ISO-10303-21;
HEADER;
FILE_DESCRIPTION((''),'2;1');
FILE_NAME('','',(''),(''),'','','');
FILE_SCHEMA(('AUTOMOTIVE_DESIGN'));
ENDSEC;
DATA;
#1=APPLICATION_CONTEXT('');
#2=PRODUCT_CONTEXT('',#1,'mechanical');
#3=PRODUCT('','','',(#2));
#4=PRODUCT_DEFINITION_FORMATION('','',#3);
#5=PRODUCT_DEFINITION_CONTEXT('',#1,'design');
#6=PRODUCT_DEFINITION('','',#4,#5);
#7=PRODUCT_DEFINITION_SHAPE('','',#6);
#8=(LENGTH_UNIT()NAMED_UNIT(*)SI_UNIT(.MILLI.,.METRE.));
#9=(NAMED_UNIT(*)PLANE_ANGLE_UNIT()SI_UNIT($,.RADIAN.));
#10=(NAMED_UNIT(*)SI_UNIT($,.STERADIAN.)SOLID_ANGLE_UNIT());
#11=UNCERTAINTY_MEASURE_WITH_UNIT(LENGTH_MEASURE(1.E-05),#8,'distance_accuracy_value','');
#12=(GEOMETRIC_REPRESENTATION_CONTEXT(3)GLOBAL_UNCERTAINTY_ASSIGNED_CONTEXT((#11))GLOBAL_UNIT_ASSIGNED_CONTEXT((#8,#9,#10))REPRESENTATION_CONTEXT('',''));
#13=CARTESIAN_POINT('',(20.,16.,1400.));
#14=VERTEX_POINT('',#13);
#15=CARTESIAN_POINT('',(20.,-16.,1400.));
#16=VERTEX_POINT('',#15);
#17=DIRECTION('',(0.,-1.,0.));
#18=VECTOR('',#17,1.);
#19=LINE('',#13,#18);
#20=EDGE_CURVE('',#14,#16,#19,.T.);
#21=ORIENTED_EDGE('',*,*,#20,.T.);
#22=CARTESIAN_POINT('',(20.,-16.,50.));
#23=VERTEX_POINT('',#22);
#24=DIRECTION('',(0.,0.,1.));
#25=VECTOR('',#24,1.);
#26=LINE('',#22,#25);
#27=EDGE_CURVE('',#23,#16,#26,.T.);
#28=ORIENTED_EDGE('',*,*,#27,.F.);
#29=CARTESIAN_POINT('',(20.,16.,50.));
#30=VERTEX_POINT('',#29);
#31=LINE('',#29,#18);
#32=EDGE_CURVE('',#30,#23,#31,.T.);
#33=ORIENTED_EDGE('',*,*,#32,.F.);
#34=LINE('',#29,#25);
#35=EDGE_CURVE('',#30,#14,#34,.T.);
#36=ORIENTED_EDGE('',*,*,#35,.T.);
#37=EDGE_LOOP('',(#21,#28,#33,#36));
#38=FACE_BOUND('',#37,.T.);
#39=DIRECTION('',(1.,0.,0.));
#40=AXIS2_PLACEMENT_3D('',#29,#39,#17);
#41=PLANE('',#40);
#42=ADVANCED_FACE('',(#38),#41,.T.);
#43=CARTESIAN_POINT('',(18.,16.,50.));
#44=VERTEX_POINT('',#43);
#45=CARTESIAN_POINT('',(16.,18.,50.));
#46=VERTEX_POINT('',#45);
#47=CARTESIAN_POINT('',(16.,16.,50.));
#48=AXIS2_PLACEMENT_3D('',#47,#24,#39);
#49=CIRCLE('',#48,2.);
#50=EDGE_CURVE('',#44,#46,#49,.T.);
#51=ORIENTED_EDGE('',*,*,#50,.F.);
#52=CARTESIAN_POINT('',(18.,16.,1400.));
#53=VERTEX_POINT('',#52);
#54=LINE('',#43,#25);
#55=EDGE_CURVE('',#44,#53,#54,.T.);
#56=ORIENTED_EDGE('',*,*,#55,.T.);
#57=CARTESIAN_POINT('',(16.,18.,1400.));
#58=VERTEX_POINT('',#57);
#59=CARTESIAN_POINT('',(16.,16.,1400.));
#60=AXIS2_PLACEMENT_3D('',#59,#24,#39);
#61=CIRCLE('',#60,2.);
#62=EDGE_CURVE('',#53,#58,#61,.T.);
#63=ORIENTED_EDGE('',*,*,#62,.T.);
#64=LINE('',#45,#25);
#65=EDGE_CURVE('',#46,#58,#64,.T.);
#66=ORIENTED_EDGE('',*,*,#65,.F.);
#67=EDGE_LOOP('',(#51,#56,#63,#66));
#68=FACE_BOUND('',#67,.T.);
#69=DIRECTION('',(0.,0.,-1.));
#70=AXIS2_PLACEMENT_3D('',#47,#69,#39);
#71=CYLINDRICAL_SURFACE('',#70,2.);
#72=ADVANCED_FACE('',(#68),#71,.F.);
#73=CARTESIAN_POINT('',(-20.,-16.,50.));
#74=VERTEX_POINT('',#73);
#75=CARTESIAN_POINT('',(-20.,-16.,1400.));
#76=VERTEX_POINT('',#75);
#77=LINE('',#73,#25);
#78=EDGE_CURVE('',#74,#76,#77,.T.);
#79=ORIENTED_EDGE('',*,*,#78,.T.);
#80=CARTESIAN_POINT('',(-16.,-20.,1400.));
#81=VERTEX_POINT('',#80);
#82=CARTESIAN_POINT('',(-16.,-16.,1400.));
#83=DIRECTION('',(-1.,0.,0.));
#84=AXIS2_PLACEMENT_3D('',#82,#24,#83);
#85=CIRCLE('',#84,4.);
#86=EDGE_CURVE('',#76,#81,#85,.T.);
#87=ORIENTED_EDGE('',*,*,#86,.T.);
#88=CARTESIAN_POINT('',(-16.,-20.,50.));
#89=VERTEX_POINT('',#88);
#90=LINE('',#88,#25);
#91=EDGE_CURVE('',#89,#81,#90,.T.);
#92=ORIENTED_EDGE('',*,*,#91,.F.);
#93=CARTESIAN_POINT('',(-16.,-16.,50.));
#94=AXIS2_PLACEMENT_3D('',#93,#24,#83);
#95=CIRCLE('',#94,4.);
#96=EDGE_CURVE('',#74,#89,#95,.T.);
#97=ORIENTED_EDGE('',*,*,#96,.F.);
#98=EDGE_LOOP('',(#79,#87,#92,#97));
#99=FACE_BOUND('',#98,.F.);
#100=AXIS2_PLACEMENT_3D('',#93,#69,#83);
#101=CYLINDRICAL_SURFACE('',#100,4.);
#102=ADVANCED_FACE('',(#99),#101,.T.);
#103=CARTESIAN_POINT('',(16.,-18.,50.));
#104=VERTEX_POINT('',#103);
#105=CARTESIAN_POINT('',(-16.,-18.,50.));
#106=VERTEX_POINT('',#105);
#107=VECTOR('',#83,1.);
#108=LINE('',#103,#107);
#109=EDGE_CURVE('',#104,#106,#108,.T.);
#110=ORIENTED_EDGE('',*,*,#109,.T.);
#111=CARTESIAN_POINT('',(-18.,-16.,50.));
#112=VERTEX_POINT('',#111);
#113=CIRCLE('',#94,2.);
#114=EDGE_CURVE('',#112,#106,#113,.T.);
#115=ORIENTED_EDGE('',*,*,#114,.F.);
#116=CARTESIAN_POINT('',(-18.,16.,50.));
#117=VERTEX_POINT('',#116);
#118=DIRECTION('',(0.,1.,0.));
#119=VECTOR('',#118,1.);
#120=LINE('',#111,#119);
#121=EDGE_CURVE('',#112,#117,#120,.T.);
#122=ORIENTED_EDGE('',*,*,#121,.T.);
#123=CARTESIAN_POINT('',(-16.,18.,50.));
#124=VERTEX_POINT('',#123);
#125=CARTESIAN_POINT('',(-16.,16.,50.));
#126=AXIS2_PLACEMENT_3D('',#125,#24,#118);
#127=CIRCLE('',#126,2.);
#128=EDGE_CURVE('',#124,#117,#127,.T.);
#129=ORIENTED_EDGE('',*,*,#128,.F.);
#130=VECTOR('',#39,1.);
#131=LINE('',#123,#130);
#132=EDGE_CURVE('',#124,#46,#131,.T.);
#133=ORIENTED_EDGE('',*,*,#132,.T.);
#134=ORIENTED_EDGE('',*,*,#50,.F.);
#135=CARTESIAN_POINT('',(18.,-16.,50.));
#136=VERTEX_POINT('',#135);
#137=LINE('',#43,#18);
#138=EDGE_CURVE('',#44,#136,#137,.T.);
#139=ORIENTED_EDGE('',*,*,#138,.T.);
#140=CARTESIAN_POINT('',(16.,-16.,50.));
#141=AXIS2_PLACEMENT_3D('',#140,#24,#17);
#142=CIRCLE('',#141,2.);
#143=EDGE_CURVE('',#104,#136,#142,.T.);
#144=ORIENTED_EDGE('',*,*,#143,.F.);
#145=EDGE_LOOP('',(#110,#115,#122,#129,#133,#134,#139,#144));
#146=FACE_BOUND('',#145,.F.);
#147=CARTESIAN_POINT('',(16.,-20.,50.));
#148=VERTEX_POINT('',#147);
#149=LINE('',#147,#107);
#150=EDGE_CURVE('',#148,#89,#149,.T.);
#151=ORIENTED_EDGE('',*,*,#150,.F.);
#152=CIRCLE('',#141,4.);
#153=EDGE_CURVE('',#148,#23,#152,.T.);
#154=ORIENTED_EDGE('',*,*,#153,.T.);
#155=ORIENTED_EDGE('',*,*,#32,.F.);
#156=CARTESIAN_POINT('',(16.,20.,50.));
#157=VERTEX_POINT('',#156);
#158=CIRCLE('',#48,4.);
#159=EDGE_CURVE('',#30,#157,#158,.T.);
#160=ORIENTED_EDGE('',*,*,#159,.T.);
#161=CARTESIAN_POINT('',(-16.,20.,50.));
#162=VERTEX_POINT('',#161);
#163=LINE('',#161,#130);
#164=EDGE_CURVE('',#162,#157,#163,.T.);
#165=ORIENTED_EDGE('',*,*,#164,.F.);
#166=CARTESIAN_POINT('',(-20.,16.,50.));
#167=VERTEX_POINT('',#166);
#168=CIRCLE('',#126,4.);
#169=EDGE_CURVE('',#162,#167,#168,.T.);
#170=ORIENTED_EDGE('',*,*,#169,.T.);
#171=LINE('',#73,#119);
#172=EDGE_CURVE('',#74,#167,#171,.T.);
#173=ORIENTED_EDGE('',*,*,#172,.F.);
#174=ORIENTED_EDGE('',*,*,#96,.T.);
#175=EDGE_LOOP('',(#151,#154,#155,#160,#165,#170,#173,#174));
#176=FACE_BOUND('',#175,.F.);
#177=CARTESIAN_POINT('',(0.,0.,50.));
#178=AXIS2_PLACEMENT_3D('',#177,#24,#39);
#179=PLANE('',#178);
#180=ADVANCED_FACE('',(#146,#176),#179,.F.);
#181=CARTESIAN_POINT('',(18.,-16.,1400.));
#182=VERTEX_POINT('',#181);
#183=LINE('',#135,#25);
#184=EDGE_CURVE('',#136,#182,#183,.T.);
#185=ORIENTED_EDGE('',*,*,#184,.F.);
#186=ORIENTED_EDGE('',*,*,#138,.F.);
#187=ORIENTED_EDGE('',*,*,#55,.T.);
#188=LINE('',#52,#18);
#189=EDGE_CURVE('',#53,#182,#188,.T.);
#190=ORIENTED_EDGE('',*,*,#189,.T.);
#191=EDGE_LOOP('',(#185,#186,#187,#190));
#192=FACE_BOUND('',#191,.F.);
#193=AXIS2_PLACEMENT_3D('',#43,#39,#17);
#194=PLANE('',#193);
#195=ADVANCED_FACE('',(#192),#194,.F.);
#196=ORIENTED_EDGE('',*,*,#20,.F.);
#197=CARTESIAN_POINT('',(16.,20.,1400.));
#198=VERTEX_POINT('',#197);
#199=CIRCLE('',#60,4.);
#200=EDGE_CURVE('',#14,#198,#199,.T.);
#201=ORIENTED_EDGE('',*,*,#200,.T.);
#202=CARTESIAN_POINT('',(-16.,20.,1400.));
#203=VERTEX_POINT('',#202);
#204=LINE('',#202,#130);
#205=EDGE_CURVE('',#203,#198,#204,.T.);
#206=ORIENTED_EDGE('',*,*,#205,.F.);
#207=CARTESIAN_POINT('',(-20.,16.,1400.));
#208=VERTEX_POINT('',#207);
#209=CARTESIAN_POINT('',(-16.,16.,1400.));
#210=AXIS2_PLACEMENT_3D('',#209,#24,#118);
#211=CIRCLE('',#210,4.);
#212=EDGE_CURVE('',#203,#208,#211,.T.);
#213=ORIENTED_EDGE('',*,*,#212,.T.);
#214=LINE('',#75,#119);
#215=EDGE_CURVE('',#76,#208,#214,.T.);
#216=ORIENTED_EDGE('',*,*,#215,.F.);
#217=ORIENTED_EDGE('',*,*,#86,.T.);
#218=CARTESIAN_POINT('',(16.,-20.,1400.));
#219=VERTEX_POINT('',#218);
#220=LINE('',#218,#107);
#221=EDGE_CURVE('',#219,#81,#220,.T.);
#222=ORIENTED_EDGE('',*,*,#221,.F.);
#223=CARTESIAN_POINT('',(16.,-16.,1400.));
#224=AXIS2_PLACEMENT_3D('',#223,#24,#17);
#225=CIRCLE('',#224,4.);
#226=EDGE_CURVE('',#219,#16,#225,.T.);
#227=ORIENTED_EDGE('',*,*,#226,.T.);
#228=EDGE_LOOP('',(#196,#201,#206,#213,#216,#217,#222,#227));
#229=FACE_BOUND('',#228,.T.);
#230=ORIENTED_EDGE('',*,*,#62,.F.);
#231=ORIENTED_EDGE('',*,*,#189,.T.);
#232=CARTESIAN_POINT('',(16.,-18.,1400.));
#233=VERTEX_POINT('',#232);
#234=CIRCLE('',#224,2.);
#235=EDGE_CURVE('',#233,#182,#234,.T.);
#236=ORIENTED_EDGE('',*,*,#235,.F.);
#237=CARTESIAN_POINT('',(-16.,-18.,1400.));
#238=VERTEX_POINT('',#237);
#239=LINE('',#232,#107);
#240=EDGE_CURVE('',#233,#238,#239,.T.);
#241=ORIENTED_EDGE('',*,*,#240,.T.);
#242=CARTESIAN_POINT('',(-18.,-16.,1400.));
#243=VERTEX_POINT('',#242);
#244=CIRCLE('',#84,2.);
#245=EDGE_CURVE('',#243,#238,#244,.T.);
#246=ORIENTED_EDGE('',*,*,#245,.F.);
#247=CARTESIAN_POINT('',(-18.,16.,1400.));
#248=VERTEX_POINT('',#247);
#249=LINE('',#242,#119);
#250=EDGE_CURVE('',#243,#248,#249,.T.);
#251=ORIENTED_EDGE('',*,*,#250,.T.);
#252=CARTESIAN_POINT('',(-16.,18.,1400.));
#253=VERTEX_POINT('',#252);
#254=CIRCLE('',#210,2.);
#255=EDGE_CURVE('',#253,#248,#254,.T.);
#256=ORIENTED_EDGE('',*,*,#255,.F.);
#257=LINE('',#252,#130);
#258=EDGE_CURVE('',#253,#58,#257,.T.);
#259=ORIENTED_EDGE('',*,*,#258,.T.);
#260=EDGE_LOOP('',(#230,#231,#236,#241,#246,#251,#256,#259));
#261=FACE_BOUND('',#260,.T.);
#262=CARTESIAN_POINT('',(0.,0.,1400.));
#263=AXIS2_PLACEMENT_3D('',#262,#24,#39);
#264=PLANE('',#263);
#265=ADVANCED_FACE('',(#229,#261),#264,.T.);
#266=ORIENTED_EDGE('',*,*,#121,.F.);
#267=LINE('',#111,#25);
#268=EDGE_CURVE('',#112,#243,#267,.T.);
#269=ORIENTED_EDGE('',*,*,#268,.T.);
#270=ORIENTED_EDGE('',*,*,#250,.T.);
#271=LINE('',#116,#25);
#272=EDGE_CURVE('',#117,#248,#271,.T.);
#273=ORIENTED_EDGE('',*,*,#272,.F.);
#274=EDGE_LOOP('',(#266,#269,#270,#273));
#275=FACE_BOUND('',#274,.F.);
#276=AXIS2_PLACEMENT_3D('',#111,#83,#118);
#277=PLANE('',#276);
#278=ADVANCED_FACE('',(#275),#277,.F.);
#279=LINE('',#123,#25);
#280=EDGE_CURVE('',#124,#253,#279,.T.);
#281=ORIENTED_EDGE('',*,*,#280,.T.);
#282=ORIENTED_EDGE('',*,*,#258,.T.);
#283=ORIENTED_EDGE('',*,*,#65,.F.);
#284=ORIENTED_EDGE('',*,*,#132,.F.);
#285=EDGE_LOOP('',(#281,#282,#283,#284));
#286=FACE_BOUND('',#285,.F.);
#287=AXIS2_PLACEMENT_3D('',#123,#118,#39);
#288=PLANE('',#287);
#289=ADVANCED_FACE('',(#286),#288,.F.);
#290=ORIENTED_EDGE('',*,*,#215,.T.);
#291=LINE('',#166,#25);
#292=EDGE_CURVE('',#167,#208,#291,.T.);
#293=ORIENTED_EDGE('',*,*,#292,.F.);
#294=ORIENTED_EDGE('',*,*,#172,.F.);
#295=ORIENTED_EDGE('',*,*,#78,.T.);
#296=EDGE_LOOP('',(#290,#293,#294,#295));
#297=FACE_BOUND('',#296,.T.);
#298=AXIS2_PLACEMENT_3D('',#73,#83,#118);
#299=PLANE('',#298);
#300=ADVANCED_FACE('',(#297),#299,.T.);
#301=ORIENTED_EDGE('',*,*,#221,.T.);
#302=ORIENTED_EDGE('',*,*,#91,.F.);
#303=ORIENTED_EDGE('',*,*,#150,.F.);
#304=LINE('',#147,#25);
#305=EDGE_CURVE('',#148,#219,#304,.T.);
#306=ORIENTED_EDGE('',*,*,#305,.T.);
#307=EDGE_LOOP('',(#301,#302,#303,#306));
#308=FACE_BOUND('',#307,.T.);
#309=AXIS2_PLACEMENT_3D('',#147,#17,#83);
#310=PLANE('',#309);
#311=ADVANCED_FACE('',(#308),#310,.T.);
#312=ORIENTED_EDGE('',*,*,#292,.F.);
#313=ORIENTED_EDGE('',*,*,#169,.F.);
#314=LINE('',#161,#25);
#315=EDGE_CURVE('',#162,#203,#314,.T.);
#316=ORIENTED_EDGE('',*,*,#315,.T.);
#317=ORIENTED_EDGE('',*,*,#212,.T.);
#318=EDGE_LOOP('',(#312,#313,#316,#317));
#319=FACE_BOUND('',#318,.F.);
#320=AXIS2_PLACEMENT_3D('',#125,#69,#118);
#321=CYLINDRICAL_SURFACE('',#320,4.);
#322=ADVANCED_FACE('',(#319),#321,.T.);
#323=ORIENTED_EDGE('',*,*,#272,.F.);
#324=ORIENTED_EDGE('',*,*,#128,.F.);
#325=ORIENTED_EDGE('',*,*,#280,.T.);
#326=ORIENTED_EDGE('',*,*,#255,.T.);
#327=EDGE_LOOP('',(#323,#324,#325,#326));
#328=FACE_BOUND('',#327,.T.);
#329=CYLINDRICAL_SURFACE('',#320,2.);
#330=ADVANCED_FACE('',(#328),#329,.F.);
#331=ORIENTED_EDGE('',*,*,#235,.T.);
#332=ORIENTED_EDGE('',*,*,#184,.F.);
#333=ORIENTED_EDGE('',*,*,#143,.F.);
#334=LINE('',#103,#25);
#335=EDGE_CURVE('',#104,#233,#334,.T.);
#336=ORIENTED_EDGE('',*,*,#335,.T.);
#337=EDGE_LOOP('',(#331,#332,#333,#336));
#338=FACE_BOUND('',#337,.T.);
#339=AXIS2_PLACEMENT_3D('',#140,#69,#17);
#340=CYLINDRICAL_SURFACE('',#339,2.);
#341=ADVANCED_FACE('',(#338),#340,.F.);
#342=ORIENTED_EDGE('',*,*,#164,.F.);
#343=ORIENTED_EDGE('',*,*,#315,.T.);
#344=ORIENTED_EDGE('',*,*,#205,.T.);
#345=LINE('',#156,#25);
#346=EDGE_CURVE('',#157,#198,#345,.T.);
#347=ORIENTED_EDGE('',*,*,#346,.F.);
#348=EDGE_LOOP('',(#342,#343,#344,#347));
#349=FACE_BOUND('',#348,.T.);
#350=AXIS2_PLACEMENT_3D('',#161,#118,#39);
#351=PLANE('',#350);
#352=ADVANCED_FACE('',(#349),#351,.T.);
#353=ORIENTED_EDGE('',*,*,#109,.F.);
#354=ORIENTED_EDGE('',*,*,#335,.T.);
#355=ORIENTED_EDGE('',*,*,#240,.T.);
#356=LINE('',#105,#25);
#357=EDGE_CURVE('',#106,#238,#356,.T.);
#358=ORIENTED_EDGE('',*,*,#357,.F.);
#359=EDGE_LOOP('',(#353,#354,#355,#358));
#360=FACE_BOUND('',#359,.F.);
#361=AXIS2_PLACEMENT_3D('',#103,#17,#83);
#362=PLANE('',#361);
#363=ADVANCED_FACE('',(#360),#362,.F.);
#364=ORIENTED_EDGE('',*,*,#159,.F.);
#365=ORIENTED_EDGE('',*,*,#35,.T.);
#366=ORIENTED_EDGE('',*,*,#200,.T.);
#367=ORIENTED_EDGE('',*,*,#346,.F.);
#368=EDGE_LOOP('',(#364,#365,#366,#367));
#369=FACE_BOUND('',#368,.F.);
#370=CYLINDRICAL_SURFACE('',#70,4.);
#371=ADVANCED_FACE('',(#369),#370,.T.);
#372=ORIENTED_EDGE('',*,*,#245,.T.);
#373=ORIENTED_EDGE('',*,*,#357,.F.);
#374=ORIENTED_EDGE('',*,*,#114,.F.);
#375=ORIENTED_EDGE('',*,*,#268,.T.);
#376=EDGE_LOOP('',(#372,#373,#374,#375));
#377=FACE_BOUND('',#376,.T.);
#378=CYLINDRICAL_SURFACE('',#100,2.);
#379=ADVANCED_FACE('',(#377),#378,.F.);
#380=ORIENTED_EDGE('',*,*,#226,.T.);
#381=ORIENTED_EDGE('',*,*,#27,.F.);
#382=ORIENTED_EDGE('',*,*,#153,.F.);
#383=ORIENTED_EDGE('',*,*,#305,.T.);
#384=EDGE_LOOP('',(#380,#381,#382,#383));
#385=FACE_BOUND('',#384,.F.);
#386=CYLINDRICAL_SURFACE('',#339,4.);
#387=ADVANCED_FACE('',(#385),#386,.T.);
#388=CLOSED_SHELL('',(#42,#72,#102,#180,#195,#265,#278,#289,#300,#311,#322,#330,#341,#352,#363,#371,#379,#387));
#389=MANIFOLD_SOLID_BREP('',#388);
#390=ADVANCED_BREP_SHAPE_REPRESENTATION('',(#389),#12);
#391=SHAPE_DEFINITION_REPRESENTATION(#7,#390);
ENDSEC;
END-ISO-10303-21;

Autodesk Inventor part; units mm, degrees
ref_plane "YZ Plane" through (0, 0, 0) normal (1, 0, 0) x (0, 1, 0)
ref_plane "Start Plane" through (0, 0, 50) normal (0, 0, 1) x (1, 0, 0)
ref_plane "End Plane" through (0, 0, 1400) normal (0, 0, 1) x (1, 0, 0)
sketch "Sketch" plane through (0, 0, 0) normal (0, 0, 1) x (1, 0, 0)
  line L0 (-20, -16) -> (-20, 16)
  line L1 (-16, 20) -> (16, 20)
  line L2 (20, 16) -> (20, -16)
  line L3 (16, -20) -> (-16, -20)
  arc A0 (-20, -16) -> (-16, -20) centre (-16, -16) ccw
  arc A1 (20, 16) -> (16, 20) centre (16, 16) ccw
  arc A2 (-16, 20) -> (-20, 16) centre (-16, 16) ccw
  arc A3 (16, -20) -> (20, -16) centre (16, -16) ccw
  arc A4 (-16, 18) -> (-18, 16) centre (-16, 16) ccw
  line L4 (-16, 18) -> (16, 18)
  arc A5 (18, 16) -> (16, 18) centre (16, 16) ccw
  line L5 (18, 16) -> (18, -16)
  arc A6 (16, -18) -> (18, -16) centre (16, -16) ccw
  line L6 (16, -18) -> (-16, -18)
  arc A7 (-18, -16) -> (-16, -18) centre (-16, -16) ccw
  line L7 (-18, -16) -> (-18, 16)
  line L8 (0, 29.1598) -> (0, -29.1598) construction
  line L9 (-29.1598, 0) -> (29.1598, 0) construction
  dimension "d7" = 4
  dimension "d9" = 40
  dimension "d11" = 40
  dimension "d12" = 2
  dimension "d15" = 20
  dimension "d16" = 20
extrude "Body" add sketch "Sketch" along normal up to surface (1350 mm away) from surface at 50
sketch "Sketch3" plane through (0, 0, 0) normal (0, 0, 1) x (1, 0, 0)
  line L0 (0, 0) -> (10, 0)
ref_plane "Work Plane3" through (0, 0, 0) normal (0, -1, 0) x (1, 0, 0)
sketch "Sketch4" plane through (0, 0, 0) normal (0, -1, 0) x (1, 0, 0)
  line L0 (-2, 50) -> (12, 50) projected
  line L1 (-2, 1400) -> (12, 1400) projected
  dimension "d18" = 1350
equation "\"d7\" = G_IR"
equation "\"d9\" = G_W"
equation "\"d11\" = G_H"
equation "\"d12\" = G_T"
equation "\"d15\" = 0.5 * d9"
equation "\"d16\" = 0.5 * d11"
equation "\"d3\" = G_L"
equation "\"G_W\" = 40"
equation "\"G_H\" = 40"
equation "\"G_T\" = 2"
equation "\"G_IR\" = 4"
equation "\"G_L\" = d18"
properties part number "ISO 10799-2 - 40x40x2 - 1350" material "Steel, Mild"
